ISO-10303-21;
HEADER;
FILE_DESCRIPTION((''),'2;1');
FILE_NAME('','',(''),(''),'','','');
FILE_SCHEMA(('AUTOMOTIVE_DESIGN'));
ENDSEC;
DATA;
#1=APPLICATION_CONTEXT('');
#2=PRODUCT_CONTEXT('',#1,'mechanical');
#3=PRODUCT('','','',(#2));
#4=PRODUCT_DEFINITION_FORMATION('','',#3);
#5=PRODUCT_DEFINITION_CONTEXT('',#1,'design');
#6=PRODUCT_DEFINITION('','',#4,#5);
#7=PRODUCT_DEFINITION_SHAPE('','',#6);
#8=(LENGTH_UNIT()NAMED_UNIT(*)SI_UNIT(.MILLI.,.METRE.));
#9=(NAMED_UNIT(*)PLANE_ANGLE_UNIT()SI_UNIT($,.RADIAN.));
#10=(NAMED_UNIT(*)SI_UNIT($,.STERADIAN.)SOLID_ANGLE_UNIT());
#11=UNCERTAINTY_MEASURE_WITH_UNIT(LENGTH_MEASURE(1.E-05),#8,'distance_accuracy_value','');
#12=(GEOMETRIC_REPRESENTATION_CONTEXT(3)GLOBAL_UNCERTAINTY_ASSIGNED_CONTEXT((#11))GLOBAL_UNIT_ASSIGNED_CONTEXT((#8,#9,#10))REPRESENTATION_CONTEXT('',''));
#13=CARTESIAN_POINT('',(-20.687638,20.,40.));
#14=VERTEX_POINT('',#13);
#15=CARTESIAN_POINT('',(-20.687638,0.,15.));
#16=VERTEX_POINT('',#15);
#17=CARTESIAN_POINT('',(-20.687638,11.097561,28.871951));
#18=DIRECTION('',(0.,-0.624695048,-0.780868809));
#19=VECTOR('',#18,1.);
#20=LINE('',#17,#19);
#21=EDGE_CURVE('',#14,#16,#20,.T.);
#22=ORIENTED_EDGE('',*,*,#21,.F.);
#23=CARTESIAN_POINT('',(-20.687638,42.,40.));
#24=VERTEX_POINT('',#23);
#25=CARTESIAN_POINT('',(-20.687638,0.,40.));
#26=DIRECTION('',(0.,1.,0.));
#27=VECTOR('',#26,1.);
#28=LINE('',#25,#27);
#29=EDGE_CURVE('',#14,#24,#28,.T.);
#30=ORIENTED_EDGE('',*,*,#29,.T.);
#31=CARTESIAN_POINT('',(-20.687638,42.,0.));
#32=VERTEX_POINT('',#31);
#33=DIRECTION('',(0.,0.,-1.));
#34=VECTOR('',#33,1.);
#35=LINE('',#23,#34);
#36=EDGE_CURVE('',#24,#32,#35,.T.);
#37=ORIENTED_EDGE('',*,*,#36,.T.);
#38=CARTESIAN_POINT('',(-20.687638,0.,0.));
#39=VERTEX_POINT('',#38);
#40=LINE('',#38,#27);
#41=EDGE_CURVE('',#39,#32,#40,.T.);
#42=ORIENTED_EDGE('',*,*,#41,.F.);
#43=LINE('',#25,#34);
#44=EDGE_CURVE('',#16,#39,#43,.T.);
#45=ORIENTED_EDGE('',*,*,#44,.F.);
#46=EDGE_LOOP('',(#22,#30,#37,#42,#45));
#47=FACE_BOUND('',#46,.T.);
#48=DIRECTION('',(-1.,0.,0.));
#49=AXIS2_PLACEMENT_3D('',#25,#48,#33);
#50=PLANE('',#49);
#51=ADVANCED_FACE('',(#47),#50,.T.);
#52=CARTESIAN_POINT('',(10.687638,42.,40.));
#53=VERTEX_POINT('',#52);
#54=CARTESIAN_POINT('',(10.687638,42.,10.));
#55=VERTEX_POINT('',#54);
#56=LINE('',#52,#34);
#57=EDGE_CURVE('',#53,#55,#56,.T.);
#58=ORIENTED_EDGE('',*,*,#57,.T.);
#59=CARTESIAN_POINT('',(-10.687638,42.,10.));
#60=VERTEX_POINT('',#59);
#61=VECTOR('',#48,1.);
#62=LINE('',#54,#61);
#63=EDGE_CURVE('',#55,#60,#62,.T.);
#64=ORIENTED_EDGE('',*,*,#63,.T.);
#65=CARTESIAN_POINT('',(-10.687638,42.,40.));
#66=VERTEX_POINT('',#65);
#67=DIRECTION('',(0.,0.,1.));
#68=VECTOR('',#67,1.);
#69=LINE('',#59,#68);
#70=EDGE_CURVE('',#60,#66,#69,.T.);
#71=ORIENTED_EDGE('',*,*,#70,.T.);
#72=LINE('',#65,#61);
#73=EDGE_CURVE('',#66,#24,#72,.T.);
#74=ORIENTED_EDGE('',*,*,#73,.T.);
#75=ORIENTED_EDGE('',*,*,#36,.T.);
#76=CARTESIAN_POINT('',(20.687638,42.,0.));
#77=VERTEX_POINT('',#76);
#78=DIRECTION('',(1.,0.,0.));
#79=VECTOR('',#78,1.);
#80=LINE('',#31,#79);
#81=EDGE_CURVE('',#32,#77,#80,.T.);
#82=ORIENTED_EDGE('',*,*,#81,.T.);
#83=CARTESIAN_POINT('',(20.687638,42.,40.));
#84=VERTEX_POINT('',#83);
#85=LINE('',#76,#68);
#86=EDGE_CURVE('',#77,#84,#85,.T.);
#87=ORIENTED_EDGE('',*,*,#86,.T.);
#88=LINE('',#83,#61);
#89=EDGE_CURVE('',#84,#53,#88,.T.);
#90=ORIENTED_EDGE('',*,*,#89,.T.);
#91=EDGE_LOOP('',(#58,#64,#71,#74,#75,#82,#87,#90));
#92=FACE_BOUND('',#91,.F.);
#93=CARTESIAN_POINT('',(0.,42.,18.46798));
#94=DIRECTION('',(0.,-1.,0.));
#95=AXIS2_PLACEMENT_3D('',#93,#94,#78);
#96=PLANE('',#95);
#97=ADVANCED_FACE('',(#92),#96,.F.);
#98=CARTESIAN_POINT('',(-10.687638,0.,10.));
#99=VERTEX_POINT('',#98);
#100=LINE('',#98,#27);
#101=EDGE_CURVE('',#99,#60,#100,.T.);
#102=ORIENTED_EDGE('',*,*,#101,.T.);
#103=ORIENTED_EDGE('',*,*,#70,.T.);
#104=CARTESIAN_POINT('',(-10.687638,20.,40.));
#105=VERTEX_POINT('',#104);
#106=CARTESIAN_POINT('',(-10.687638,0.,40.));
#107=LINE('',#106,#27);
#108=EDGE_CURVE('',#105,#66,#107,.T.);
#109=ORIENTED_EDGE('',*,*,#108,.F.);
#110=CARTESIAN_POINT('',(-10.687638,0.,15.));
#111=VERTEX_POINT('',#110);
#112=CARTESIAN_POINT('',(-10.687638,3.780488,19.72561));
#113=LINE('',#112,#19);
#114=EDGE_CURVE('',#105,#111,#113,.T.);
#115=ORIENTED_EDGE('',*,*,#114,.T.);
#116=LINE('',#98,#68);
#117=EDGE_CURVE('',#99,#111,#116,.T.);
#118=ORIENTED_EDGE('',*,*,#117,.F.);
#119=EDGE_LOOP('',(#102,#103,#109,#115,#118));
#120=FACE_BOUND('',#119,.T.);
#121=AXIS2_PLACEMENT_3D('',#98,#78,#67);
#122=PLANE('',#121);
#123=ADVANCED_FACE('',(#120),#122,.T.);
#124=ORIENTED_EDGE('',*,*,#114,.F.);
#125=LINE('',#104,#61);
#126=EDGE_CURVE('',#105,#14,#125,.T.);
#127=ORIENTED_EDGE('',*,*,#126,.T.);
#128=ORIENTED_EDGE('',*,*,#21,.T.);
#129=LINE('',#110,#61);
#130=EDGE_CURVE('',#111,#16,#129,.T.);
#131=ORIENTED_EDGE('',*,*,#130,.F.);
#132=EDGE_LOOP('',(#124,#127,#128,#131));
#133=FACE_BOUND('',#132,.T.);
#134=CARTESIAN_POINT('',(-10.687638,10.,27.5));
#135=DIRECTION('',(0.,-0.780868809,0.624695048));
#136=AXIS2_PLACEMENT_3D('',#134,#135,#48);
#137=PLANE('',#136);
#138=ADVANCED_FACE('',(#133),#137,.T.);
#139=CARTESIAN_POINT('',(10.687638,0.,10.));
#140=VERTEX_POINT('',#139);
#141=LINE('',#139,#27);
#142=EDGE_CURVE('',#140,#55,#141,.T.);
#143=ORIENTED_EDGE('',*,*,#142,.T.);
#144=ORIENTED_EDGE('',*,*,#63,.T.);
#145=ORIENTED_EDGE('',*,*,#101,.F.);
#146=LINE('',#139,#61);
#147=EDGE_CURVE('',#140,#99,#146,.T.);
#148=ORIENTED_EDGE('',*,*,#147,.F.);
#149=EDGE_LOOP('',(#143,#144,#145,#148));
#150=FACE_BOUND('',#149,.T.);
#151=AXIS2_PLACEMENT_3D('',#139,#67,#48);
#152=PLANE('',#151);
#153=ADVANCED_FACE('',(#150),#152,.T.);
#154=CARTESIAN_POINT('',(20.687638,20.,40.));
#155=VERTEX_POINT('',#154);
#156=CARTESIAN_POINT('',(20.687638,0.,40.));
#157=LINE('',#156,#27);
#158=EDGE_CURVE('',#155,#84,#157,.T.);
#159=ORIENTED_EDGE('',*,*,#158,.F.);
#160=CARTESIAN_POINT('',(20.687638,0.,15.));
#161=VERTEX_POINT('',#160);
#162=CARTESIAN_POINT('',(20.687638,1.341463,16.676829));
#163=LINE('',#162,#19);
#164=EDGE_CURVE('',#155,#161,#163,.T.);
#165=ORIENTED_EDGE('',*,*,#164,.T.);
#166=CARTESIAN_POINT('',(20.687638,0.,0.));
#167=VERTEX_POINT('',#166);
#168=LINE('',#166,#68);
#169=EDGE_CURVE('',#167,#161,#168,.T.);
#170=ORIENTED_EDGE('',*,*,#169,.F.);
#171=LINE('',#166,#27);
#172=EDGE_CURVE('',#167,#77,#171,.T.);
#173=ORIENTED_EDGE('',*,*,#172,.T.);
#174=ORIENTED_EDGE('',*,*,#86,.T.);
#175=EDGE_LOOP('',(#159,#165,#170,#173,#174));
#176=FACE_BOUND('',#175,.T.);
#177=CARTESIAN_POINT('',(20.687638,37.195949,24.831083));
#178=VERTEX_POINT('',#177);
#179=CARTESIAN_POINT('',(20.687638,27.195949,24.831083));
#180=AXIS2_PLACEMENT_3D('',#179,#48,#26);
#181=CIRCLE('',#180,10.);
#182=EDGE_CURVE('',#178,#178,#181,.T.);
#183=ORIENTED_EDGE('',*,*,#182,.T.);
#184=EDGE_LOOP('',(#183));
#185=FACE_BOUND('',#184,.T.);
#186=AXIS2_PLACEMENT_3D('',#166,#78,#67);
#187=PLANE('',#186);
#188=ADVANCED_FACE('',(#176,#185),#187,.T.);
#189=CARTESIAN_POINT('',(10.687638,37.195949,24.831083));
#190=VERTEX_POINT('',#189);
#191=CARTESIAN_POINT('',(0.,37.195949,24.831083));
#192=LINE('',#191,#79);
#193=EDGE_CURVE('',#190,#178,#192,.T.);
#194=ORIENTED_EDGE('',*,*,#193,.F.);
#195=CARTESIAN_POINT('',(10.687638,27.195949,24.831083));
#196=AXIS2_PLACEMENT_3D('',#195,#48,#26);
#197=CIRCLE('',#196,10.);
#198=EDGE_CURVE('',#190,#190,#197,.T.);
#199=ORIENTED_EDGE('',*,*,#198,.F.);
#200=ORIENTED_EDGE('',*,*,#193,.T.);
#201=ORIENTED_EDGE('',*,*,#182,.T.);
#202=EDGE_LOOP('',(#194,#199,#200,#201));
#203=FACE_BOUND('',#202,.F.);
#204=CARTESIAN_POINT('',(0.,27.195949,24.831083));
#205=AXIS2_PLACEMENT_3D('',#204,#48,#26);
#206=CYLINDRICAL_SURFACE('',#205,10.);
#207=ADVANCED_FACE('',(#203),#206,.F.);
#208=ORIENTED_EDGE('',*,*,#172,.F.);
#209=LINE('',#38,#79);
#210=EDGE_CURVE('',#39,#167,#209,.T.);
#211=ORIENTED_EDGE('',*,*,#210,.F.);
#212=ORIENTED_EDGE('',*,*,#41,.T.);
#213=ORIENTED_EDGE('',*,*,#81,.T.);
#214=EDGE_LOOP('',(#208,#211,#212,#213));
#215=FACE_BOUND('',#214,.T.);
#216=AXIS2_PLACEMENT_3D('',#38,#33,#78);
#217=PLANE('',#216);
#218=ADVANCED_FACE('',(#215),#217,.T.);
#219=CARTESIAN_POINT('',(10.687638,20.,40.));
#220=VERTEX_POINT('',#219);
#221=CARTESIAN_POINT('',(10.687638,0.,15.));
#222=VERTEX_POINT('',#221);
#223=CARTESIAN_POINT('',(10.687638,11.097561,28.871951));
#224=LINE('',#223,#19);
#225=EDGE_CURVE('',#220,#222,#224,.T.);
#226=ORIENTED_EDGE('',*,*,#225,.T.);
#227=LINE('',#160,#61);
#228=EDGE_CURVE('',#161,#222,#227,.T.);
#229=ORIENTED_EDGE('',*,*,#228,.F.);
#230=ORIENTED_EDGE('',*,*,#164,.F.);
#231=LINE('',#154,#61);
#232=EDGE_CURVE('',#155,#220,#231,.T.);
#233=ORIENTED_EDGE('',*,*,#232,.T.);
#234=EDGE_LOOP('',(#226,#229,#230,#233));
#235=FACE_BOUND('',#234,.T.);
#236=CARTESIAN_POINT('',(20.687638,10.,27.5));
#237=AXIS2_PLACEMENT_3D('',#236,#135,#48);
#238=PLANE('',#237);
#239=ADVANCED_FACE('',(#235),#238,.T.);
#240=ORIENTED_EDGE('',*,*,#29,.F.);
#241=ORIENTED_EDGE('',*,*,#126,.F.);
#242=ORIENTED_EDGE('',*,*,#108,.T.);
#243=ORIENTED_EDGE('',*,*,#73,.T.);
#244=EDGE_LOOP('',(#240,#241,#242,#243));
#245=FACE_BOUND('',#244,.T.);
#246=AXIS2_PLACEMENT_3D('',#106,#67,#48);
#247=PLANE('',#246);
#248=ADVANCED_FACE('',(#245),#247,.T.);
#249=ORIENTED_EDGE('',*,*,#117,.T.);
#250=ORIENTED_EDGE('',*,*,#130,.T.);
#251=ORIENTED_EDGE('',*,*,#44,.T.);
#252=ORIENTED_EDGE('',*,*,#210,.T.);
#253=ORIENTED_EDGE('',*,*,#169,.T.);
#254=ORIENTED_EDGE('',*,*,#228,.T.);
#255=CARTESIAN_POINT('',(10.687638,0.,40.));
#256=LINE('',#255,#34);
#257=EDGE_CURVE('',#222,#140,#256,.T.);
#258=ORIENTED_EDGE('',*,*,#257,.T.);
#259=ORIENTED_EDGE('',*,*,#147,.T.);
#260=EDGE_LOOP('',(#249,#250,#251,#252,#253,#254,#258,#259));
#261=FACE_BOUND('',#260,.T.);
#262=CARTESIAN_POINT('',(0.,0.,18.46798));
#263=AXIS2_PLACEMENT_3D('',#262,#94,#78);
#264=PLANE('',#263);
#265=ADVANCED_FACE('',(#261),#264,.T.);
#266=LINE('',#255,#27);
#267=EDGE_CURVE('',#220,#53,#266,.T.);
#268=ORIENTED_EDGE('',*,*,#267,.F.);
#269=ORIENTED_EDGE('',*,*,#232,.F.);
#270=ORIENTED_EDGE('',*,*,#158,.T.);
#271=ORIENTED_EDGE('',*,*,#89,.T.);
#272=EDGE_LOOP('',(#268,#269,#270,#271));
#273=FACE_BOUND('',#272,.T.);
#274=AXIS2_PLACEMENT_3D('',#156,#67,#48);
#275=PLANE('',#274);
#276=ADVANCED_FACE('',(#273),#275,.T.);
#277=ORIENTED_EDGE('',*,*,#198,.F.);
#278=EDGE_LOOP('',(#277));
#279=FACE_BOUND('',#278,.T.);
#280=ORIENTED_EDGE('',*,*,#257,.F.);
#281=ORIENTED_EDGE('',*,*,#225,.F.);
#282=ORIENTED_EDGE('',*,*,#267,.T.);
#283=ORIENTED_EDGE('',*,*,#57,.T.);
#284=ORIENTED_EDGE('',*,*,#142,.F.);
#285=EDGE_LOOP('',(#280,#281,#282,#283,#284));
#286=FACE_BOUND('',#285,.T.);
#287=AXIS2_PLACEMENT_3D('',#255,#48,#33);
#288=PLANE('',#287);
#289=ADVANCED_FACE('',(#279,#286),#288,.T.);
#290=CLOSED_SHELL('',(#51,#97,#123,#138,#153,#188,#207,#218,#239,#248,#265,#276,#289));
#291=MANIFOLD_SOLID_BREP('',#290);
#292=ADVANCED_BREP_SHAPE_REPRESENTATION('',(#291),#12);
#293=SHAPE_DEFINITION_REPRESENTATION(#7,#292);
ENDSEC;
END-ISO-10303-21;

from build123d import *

# Parameters (mm, degrees)
F1_DEPTH   = 42
F3_SIZE2   = 25
F3_SIZE    = 20
F3_2_SIZE2 = 25
F3_2_SIZE  = 20
F4_D       = 20
F4_DEPTH   = 20.6886382592


with BuildPart() as f1:
    # F0 (on Front) → F1 (new body)
    with BuildSketch(Plane.XZ):
        Polygon((-20.6876382592, 40), (-20.6876382592, 0), (20.6876382592, 0), (20.6876382592, 40), (10.6876382592, 40), (10.6876382592, 10), (-10.6876382592, 10), (-10.6876382592, 40), align=None)
    extrude(amount=-F1_DEPTH)

    # F3
    f3_edges = [f1.edges().sort_by_distance(p)[0] for p in [
        (-15.687638, 0, 40),
    ]]
    f3_side = f1.faces().sort_by_distance((-15.687638, 21, 40))[0]
    chamfer(f3_edges, length=F3_SIZE, length2=F3_SIZE2, reference=f3_side)

    # F3#2
    f3_2_edges = [f1.edges().sort_by_distance(p)[0] for p in [
        (15.687638, 0, 40),
    ]]
    f3_2_side = f1.faces().sort_by_distance((15.687638, 21, 40))[0]
    chamfer(f3_2_edges, length=F3_2_SIZE, length2=F3_2_SIZE2, reference=f3_2_side)

    # F4 (through all, one way)
    with BuildSketch(Plane(origin=(0, 0, 0), x_dir=(0, 1, 0), z_dir=(-1, 0, 0))):
        with Locations((27.1959491074, -24.8310826719)):
            Circle(F4_D / 2)
    extrude(amount=-F4_DEPTH, mode=Mode.SUBTRACT)


solid = f1.part
